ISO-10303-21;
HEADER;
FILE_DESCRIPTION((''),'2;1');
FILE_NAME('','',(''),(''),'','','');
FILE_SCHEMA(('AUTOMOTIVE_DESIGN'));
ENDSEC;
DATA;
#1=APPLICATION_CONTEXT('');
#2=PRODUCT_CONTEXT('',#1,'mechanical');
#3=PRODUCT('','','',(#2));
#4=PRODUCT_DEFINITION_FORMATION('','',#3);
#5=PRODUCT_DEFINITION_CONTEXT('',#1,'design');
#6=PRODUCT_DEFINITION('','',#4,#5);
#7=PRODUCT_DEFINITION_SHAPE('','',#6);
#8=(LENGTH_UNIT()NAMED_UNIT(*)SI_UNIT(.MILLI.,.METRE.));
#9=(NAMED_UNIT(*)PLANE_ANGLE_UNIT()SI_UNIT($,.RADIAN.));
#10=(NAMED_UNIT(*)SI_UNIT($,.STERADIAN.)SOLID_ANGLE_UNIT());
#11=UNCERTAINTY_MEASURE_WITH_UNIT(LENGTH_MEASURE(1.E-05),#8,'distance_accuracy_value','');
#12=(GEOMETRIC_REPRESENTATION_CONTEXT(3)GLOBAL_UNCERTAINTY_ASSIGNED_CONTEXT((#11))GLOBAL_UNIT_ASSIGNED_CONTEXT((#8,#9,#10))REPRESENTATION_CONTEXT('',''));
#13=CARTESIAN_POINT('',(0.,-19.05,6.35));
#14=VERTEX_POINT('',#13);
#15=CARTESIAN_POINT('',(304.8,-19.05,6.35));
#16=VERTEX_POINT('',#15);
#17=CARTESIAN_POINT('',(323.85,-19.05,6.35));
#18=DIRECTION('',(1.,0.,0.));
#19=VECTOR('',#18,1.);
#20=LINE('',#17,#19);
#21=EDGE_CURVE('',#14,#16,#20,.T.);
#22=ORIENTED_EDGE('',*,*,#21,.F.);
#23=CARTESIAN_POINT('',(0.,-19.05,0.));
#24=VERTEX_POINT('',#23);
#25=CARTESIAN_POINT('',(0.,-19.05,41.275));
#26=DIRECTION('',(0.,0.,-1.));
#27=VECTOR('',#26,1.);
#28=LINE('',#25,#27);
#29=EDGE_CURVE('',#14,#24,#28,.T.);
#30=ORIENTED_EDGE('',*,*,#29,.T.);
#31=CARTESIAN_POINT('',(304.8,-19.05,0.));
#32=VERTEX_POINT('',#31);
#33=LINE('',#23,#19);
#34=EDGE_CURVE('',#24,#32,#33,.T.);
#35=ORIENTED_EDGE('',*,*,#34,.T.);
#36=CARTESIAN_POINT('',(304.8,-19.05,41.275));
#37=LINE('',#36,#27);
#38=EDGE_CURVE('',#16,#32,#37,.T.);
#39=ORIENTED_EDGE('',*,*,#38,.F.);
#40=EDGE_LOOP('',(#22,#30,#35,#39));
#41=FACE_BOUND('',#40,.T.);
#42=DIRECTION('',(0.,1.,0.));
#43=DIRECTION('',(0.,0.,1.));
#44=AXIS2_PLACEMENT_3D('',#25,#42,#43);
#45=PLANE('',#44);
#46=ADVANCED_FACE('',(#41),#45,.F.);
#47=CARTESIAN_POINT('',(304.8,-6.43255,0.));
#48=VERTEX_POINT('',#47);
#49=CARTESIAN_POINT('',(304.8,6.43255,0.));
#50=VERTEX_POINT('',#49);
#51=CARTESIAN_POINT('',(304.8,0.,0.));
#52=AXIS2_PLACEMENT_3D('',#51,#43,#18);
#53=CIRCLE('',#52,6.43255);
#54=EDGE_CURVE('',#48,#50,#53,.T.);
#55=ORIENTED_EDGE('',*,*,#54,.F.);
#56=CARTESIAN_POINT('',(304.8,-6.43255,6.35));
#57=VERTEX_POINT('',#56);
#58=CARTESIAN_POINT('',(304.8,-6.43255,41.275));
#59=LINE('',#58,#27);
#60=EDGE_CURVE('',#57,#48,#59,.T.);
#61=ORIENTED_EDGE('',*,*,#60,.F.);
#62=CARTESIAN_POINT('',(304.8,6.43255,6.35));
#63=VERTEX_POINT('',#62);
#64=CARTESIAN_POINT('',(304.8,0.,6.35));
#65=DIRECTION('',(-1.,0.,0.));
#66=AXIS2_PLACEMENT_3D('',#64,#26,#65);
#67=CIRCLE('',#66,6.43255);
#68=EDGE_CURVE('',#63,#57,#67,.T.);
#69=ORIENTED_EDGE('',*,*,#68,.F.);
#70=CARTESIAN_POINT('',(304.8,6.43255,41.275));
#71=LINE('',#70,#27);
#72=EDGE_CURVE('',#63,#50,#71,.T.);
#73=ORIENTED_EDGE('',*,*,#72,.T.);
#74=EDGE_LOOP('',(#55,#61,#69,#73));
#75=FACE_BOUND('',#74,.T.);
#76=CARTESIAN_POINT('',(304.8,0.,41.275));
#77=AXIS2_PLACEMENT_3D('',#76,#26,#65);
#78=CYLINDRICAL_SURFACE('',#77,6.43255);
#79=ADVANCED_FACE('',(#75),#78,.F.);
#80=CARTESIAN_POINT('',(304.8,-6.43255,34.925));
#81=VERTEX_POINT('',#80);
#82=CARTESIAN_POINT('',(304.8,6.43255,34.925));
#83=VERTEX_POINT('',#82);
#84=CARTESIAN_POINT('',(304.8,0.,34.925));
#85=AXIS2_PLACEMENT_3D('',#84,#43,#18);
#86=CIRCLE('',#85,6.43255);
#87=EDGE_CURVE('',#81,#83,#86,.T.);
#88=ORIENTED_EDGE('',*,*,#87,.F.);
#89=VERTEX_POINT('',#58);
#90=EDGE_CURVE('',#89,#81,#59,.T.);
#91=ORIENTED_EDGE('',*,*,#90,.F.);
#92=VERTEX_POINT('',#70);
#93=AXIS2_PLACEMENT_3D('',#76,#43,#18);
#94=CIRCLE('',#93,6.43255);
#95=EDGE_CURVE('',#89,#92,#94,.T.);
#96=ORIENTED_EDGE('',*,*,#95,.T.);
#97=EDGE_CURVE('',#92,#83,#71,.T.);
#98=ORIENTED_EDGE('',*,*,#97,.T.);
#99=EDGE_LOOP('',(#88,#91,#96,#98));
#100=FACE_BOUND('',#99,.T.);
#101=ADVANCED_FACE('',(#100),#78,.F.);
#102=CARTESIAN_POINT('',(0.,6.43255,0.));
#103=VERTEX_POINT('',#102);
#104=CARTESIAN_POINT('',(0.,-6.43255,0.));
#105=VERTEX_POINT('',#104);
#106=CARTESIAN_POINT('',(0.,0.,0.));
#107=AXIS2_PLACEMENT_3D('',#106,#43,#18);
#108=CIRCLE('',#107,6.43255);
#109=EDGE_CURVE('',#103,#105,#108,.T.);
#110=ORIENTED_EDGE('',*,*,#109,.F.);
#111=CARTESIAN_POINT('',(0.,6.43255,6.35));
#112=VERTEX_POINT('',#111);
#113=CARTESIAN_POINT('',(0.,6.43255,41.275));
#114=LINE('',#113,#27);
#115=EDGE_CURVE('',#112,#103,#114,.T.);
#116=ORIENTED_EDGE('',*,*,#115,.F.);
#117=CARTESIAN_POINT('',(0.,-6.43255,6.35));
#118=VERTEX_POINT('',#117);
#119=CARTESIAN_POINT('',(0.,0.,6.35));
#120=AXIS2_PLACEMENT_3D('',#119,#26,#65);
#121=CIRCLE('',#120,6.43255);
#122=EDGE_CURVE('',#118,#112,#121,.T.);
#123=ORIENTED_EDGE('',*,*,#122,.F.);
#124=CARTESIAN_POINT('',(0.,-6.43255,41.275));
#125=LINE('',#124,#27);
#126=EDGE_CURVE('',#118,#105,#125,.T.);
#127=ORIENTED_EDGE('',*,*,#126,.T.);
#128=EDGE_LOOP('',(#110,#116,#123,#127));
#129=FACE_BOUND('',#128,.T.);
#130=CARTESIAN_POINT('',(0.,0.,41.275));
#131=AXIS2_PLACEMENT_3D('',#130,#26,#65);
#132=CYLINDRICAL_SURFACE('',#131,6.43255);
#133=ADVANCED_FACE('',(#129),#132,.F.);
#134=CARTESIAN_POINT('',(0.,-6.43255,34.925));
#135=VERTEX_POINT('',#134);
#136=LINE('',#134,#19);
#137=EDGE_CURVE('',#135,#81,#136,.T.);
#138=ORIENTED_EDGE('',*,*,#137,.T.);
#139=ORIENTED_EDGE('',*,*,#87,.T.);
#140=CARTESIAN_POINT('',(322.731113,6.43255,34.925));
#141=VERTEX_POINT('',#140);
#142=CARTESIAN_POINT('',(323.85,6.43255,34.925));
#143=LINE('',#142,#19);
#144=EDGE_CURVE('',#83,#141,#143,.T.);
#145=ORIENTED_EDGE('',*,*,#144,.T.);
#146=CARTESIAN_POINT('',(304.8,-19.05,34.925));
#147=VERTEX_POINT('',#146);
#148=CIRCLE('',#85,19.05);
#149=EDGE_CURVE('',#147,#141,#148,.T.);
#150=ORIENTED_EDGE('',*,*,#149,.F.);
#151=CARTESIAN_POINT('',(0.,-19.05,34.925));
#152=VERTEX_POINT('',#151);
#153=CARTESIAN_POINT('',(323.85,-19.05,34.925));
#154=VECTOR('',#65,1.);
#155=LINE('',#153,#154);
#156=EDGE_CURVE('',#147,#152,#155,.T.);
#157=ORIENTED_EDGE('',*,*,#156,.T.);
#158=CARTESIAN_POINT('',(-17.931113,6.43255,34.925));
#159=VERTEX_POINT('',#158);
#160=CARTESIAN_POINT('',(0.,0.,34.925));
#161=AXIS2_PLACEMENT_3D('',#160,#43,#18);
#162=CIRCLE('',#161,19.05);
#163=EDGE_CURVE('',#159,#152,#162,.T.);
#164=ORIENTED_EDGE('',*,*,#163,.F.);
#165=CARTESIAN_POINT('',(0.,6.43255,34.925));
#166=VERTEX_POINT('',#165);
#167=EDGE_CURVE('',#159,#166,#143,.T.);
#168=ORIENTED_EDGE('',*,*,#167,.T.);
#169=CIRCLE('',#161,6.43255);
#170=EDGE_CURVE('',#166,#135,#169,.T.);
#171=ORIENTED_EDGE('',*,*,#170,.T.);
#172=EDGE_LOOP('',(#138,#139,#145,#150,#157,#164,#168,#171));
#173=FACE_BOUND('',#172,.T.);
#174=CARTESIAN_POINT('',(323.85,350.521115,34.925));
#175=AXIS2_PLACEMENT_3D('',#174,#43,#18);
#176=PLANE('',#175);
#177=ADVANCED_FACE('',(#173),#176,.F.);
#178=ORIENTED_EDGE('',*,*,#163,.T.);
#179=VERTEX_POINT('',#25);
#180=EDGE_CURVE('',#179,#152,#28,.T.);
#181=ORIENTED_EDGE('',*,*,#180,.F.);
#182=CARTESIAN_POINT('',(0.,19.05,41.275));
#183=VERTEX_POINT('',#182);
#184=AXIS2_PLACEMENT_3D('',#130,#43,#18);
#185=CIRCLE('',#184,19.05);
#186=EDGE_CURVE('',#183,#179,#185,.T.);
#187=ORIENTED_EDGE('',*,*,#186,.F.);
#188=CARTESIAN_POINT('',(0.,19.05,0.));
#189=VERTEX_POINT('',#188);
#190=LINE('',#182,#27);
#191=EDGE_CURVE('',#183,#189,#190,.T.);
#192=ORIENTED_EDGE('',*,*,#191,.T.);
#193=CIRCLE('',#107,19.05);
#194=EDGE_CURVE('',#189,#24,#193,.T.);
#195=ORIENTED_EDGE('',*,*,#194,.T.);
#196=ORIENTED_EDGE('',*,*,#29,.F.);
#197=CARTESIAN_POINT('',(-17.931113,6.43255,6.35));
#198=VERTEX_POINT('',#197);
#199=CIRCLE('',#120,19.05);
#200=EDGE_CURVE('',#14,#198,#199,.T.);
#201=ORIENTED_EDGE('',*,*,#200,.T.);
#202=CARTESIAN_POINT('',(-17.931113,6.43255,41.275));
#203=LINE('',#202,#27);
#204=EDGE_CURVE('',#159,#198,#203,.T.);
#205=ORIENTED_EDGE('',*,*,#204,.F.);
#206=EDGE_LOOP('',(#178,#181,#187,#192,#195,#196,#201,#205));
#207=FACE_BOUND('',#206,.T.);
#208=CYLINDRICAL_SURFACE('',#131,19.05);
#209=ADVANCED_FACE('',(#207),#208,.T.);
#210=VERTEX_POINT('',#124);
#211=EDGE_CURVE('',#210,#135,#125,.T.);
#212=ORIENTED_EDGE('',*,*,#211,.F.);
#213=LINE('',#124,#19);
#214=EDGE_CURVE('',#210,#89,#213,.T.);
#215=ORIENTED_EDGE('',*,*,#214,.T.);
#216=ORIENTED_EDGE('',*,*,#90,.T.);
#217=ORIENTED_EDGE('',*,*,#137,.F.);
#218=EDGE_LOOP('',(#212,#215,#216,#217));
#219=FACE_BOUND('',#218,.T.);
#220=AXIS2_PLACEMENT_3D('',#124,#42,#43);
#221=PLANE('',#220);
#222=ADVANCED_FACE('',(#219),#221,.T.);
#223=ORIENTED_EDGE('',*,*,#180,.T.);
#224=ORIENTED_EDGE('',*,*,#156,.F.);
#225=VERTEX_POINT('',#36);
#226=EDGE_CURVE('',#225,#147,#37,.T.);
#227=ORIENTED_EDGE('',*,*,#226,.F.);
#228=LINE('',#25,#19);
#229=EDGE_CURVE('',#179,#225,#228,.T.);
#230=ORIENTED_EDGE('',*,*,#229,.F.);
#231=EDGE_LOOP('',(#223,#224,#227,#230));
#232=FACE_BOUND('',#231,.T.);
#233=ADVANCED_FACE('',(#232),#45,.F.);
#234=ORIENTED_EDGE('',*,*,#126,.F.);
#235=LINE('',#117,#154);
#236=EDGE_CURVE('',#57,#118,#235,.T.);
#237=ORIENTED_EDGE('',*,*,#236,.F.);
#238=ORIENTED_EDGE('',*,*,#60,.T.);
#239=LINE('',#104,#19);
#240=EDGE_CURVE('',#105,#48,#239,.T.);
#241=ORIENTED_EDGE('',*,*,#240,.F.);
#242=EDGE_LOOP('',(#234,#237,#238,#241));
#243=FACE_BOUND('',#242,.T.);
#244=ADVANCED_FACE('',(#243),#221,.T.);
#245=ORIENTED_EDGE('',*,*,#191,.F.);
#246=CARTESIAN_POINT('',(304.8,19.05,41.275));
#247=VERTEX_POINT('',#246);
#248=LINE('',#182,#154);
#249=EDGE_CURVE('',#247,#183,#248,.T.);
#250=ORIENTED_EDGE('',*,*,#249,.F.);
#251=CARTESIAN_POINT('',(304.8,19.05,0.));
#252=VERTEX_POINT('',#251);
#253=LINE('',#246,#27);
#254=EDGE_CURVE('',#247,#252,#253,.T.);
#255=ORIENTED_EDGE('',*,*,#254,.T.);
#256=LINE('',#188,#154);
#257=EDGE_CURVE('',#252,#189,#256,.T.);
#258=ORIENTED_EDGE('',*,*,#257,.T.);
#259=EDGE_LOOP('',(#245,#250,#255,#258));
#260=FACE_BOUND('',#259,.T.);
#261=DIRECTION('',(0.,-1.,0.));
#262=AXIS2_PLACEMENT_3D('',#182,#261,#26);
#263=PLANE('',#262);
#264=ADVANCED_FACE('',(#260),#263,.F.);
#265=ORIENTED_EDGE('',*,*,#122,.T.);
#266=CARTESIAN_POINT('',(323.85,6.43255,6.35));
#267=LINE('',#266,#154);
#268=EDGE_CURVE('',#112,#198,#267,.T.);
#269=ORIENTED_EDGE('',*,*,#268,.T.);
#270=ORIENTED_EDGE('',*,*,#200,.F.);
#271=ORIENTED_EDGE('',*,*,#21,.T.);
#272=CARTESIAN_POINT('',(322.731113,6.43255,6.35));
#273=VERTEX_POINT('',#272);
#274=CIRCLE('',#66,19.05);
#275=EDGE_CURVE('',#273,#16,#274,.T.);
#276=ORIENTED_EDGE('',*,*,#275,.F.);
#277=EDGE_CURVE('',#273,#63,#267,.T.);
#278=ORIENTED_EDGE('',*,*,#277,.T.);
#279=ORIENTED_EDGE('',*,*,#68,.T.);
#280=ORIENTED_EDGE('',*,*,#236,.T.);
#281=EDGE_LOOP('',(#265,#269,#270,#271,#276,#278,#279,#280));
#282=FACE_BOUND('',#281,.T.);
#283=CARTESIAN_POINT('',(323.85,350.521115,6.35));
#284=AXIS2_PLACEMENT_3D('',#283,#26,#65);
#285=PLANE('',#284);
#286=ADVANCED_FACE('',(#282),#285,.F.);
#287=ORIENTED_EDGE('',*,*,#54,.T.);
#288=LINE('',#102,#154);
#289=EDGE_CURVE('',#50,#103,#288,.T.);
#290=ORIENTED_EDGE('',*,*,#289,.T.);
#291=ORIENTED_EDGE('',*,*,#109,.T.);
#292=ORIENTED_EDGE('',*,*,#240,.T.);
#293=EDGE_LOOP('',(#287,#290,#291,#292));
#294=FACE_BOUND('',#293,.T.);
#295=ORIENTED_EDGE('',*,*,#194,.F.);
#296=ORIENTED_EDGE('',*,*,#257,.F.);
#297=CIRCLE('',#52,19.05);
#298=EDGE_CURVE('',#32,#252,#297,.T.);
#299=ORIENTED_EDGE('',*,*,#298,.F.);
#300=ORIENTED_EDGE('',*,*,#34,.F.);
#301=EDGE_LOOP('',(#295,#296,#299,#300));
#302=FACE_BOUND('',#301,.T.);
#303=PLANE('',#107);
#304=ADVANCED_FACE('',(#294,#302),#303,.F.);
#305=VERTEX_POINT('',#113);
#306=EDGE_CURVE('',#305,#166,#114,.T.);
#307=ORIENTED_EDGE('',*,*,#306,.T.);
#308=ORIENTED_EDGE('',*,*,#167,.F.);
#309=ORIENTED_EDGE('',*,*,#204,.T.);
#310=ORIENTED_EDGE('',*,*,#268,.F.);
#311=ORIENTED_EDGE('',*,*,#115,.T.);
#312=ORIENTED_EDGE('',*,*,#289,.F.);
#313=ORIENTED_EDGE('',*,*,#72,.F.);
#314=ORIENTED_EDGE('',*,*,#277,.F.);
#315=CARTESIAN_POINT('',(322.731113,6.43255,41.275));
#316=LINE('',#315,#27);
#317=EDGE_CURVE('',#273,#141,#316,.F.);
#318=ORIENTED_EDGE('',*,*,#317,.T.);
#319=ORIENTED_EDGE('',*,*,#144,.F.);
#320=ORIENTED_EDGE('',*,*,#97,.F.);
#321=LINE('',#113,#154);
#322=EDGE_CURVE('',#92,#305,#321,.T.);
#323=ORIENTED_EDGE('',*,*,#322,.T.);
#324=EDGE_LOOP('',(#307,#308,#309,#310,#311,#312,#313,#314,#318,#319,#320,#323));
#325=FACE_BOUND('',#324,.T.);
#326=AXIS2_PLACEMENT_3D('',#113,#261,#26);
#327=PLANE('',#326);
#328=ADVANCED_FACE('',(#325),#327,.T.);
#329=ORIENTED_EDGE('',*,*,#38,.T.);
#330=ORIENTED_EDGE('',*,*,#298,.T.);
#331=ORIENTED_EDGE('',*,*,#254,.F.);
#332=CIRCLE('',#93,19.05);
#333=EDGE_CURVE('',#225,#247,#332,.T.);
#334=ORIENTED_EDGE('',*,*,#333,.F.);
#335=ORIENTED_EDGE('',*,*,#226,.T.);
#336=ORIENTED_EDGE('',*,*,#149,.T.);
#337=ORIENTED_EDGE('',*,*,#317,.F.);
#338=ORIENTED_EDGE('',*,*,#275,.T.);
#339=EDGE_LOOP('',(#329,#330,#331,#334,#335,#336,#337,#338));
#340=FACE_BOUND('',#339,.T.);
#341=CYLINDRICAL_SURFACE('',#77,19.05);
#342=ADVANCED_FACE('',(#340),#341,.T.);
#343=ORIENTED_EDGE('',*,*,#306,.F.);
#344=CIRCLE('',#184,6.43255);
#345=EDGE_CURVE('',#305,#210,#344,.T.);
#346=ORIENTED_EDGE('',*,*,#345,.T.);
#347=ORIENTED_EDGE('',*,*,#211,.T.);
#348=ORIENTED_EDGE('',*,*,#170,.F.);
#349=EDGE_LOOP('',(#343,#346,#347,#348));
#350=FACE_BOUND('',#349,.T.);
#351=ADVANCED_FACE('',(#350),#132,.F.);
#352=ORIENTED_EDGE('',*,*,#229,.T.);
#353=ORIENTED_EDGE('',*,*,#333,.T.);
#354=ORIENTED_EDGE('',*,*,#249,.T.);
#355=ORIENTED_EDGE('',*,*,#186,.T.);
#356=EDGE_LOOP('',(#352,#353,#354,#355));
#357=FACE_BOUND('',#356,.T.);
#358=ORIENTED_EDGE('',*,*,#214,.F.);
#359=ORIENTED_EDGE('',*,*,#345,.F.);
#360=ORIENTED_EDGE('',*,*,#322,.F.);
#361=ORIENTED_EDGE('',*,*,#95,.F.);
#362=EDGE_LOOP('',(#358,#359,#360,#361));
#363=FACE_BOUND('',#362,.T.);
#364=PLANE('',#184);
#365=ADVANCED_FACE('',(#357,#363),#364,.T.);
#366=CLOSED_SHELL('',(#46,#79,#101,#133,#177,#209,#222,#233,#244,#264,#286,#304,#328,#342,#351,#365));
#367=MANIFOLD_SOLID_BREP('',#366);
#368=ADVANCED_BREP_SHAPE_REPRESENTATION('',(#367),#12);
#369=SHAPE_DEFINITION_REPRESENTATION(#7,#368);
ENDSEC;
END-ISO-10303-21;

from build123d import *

# Parameters (mm, degrees)
BOSS_EXTRUDE1_DEPTH = 41.275
CUT_EXTRUDE1_REACH  = 330.685
SKETCH2_W           = 342.9
SKETCH2_H           = 28.575


with BuildPart() as part:
    # Sketch1 → Boss-Extrude1 (new body)
    with BuildSketch(Plane.XY):
        with BuildLine():
            Line((0, 19.05), (304.8, 19.05))
            ThreePointArc((304.8, 19.05), (323.85, 0), (304.8, -19.05))
            Line((304.8, -19.05), (0, -19.05))
            ThreePointArc((0, -19.05), (-19.05, 0), (0, 19.05))
        make_face()
        with BuildLine():
            Line((0, 6.43255), (304.8, 6.43255))
            ThreePointArc((304.8, 6.43255), (311.23255, 0), (304.8, -6.43255))
            Line((304.8, -6.43255), (0, -6.43255))
            ThreePointArc((0, -6.43255), (-6.43255, 0), (0, 6.43255))
        make_face(mode=Mode.SUBTRACT)
    extrude(amount=BOSS_EXTRUDE1_DEPTH)

    # Cut-Extrude1: up to this face of the body (flat: up to its plane)
    cut_extrude1_end = Plane(part.part.faces().sort_by_distance((152.4, 6.43255, 20.6375))[0])
    # Sketch2 → Cut-Extrude1 (cut, up to the picked face)
    with BuildSketch(Plane.XZ.offset(19.05), mode=Mode.PRIVATE) as cut_extrude1_sk1:
        with Locations((152.4, 20.6375)):
            Rectangle(SKETCH2_W, SKETCH2_H)
    cut_extrude1_tool1 = split(extrude(cut_extrude1_sk1.sketch, amount=-CUT_EXTRUDE1_REACH, mode=Mode.PRIVATE), bisect_by=cut_extrude1_end, keep=Keep.BOTH, mode=Mode.PRIVATE)
    add(cut_extrude1_tool1.solids().sort_by(Axis((152.4, -19.05, 20.6375), (0, 1, 0)))[0], mode=Mode.SUBTRACT)


solid = part.part
